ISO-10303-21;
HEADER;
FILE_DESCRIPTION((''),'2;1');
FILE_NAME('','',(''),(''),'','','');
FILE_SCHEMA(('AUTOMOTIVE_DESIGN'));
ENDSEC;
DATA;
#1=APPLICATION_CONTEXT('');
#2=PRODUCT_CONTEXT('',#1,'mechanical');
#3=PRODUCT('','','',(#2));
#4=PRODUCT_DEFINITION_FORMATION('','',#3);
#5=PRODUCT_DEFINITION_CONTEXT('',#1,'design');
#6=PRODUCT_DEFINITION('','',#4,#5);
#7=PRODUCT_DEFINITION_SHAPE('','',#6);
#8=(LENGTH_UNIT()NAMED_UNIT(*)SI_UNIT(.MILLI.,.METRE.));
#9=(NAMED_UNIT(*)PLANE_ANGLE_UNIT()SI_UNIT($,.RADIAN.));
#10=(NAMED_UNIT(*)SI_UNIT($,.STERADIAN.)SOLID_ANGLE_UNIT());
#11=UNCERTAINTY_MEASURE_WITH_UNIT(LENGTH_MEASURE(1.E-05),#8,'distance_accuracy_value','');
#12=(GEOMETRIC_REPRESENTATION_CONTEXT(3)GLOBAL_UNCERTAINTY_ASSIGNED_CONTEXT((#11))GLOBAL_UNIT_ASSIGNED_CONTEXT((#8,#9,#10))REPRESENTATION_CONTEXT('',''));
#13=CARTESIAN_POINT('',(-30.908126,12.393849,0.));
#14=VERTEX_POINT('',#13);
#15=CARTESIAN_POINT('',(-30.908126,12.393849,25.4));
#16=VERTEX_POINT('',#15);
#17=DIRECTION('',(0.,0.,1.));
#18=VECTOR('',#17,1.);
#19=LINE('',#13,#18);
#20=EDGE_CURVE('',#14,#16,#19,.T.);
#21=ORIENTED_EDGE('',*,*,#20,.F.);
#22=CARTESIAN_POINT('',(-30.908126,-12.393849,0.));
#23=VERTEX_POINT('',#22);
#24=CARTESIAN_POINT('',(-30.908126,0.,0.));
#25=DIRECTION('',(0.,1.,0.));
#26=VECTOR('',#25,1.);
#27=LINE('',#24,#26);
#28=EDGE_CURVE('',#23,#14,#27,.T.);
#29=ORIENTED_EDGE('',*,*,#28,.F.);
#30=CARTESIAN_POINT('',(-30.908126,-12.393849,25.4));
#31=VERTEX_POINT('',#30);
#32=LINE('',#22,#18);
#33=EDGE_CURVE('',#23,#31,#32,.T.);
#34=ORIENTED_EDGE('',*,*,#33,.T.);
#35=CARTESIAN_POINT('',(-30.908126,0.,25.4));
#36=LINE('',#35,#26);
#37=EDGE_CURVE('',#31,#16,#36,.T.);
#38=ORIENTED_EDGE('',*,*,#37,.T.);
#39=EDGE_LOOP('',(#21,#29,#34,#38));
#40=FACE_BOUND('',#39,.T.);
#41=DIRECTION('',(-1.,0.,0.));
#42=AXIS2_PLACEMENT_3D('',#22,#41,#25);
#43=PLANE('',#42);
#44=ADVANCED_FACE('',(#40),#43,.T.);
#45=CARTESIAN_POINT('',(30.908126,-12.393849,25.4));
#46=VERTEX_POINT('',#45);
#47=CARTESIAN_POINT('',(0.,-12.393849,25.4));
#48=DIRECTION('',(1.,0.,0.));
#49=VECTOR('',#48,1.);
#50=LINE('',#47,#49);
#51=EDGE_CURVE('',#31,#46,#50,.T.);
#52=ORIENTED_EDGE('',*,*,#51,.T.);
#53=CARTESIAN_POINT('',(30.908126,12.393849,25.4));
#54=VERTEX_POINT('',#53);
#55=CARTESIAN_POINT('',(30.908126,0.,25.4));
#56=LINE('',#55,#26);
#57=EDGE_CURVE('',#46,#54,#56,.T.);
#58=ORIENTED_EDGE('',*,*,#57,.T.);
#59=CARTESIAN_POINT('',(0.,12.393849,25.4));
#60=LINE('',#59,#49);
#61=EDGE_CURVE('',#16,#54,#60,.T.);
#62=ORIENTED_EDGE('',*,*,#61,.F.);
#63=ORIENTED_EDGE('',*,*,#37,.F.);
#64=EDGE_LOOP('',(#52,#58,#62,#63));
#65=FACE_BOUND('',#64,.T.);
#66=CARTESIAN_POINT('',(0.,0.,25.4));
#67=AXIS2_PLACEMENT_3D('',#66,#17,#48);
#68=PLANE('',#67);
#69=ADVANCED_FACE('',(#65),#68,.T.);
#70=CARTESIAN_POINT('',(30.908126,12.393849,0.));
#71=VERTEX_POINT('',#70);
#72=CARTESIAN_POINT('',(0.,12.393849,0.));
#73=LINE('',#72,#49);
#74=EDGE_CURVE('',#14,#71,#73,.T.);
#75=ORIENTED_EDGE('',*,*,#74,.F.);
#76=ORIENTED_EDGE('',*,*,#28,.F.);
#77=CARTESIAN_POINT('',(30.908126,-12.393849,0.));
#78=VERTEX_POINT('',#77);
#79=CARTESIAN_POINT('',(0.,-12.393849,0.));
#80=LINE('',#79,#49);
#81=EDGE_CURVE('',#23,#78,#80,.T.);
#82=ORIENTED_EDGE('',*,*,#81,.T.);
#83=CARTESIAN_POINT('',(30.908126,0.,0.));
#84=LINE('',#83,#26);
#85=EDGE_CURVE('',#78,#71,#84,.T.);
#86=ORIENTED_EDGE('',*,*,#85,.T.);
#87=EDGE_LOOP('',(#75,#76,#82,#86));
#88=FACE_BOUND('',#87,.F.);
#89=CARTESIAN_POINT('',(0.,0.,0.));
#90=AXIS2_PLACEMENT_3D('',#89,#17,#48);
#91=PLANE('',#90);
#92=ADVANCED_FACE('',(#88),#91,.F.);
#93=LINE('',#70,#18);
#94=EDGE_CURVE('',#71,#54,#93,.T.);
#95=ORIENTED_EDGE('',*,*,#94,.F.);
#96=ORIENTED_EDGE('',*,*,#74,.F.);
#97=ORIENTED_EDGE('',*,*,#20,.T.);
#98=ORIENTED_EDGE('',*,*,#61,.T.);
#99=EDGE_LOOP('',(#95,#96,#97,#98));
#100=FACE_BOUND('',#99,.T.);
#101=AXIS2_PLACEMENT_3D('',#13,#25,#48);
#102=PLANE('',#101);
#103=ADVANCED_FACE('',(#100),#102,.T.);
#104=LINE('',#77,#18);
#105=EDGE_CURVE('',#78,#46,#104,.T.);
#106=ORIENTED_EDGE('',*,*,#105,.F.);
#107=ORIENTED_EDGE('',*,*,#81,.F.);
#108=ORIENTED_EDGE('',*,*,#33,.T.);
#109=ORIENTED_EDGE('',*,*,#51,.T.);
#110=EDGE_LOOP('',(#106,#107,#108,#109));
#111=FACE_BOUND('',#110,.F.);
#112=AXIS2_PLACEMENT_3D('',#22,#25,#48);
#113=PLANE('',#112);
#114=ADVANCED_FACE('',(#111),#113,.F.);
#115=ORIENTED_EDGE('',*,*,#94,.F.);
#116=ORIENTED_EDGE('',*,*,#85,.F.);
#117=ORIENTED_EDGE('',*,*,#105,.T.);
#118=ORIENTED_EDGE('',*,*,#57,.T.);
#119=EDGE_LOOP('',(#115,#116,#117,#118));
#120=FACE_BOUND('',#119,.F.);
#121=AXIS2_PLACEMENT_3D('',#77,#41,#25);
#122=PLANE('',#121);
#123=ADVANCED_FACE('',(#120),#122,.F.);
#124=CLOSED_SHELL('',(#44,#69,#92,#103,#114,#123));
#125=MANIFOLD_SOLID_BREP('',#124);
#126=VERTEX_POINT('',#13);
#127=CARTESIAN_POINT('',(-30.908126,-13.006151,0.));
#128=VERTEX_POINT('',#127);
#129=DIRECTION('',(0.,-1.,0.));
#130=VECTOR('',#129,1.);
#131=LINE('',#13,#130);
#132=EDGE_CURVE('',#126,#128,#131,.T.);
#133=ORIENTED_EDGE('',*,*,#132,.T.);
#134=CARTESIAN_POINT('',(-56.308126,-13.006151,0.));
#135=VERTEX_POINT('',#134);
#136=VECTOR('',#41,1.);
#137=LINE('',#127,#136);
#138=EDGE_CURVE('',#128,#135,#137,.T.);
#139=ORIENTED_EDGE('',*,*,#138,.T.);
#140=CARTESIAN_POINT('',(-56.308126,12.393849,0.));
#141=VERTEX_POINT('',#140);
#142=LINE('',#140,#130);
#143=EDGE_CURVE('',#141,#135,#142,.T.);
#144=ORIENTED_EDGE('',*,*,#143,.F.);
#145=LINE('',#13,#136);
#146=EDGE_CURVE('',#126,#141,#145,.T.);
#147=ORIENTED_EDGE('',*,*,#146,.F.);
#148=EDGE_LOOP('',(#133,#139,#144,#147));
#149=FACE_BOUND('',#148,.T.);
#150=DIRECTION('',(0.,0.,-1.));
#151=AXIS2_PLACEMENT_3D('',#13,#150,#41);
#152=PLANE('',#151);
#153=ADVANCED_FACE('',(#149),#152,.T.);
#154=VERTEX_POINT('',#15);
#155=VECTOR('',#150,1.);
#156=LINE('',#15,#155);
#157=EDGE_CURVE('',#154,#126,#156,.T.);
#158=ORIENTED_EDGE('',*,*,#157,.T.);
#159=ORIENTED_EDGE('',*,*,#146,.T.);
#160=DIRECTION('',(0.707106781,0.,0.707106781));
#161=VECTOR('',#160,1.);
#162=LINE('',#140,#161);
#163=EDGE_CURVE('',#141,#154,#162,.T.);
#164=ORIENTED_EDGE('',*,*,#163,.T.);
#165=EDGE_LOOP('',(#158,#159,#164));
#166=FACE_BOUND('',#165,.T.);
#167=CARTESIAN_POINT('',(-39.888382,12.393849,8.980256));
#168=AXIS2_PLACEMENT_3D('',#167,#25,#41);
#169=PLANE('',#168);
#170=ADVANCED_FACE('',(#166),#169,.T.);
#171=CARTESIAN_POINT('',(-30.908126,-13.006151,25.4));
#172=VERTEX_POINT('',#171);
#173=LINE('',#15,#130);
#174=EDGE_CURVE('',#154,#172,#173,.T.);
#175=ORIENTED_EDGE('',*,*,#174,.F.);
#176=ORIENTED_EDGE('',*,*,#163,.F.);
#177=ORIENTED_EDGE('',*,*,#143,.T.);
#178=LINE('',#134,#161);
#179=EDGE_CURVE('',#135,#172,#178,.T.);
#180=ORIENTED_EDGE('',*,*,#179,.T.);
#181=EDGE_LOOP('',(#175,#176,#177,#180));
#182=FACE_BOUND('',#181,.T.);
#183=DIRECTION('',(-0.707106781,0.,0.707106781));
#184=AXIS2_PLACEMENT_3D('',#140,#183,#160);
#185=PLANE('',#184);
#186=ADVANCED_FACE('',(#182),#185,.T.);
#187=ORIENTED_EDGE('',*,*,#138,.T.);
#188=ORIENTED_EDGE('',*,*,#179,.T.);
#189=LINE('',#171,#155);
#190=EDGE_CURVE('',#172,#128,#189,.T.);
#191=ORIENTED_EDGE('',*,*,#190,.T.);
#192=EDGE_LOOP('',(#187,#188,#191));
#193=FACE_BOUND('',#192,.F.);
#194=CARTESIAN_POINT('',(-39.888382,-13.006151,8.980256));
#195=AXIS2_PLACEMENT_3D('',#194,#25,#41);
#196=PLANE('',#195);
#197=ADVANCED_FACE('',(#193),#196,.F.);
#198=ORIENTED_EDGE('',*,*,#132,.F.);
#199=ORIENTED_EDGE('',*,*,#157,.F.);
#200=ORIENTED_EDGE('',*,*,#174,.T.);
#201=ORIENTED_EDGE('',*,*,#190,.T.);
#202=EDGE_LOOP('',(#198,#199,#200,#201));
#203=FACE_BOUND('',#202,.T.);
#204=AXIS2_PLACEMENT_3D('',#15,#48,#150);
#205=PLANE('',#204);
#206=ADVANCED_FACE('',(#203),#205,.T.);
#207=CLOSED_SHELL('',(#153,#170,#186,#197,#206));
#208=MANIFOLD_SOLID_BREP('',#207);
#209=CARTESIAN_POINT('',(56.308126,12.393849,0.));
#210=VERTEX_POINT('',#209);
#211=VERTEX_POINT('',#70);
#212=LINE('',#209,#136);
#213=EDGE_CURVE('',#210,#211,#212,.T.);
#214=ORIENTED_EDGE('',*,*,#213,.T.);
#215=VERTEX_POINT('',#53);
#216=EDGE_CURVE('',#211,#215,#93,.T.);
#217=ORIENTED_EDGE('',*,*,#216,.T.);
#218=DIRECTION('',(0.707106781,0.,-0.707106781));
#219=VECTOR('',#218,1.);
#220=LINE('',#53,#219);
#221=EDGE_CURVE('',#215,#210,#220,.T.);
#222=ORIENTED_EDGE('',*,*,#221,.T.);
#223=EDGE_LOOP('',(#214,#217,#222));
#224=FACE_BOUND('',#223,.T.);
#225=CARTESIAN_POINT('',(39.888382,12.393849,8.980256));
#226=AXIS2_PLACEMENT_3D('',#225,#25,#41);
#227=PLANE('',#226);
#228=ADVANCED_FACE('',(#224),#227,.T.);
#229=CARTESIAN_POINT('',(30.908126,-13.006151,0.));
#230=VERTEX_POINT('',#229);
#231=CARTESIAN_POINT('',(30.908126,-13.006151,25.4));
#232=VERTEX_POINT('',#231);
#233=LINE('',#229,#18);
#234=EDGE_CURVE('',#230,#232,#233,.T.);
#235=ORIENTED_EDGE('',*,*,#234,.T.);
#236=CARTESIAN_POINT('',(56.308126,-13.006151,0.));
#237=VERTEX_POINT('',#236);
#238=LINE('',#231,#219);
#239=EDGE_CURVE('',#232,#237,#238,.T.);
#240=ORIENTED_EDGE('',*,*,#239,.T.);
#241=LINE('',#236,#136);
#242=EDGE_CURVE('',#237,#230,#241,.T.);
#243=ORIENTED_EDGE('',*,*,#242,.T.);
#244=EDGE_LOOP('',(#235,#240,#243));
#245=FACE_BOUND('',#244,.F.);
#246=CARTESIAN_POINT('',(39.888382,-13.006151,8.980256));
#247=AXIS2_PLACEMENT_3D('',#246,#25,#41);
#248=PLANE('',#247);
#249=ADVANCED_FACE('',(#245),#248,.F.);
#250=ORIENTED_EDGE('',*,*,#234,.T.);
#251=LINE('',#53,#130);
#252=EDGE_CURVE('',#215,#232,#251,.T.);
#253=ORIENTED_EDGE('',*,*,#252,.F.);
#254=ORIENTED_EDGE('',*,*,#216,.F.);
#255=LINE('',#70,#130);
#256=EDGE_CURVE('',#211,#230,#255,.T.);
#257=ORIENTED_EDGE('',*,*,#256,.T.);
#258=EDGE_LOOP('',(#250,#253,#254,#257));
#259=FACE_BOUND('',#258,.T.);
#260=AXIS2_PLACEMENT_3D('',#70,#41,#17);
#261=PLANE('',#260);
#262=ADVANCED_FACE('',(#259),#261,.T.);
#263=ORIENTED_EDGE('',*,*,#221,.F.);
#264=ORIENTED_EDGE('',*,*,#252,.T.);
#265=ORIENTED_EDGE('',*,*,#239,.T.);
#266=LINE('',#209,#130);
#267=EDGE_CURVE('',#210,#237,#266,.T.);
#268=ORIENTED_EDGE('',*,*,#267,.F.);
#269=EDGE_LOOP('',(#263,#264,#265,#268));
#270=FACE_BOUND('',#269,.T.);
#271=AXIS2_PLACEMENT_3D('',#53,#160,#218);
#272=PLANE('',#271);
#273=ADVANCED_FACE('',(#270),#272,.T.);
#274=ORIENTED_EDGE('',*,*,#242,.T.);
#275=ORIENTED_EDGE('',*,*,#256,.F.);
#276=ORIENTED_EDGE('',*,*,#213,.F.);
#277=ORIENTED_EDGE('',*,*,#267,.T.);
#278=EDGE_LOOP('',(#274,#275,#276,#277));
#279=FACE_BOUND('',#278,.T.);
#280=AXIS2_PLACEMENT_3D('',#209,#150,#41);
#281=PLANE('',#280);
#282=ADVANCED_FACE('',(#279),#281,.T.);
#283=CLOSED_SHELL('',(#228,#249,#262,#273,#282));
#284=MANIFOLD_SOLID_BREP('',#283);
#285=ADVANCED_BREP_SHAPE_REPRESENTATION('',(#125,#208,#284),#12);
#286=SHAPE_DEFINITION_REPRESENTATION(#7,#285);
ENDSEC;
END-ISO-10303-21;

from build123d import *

# Parameters (mm, degrees)
F0_W     = 61.816252
F0_H     = 24.787698
F1_DEPTH = 25.4
F3_DEPTH = 25.4


with BuildPart() as f1:
    # F0 (on Top) → F1 (new body)
    with BuildSketch(Plane.XY):
        Rectangle(F0_W, F0_H)
    extrude(amount=F1_DEPTH)


with BuildPart() as f3:
    # F2 (on face) → F3 (new body)
    with BuildSketch(Plane(origin=(0, 12.393849, 0), x_dir=(-1, 0, 0), z_dir=(0, 1, 0))):
        Polygon((-30.908126, 0), (-30.908126, 25.4), (-56.308126, 0), align=None)
        Polygon((56.308126, 0), (30.908126, 25.4), (30.908126, 0), align=None)
    extrude(amount=-F3_DEPTH)


solid = Compound([f1.part, f3.part])
